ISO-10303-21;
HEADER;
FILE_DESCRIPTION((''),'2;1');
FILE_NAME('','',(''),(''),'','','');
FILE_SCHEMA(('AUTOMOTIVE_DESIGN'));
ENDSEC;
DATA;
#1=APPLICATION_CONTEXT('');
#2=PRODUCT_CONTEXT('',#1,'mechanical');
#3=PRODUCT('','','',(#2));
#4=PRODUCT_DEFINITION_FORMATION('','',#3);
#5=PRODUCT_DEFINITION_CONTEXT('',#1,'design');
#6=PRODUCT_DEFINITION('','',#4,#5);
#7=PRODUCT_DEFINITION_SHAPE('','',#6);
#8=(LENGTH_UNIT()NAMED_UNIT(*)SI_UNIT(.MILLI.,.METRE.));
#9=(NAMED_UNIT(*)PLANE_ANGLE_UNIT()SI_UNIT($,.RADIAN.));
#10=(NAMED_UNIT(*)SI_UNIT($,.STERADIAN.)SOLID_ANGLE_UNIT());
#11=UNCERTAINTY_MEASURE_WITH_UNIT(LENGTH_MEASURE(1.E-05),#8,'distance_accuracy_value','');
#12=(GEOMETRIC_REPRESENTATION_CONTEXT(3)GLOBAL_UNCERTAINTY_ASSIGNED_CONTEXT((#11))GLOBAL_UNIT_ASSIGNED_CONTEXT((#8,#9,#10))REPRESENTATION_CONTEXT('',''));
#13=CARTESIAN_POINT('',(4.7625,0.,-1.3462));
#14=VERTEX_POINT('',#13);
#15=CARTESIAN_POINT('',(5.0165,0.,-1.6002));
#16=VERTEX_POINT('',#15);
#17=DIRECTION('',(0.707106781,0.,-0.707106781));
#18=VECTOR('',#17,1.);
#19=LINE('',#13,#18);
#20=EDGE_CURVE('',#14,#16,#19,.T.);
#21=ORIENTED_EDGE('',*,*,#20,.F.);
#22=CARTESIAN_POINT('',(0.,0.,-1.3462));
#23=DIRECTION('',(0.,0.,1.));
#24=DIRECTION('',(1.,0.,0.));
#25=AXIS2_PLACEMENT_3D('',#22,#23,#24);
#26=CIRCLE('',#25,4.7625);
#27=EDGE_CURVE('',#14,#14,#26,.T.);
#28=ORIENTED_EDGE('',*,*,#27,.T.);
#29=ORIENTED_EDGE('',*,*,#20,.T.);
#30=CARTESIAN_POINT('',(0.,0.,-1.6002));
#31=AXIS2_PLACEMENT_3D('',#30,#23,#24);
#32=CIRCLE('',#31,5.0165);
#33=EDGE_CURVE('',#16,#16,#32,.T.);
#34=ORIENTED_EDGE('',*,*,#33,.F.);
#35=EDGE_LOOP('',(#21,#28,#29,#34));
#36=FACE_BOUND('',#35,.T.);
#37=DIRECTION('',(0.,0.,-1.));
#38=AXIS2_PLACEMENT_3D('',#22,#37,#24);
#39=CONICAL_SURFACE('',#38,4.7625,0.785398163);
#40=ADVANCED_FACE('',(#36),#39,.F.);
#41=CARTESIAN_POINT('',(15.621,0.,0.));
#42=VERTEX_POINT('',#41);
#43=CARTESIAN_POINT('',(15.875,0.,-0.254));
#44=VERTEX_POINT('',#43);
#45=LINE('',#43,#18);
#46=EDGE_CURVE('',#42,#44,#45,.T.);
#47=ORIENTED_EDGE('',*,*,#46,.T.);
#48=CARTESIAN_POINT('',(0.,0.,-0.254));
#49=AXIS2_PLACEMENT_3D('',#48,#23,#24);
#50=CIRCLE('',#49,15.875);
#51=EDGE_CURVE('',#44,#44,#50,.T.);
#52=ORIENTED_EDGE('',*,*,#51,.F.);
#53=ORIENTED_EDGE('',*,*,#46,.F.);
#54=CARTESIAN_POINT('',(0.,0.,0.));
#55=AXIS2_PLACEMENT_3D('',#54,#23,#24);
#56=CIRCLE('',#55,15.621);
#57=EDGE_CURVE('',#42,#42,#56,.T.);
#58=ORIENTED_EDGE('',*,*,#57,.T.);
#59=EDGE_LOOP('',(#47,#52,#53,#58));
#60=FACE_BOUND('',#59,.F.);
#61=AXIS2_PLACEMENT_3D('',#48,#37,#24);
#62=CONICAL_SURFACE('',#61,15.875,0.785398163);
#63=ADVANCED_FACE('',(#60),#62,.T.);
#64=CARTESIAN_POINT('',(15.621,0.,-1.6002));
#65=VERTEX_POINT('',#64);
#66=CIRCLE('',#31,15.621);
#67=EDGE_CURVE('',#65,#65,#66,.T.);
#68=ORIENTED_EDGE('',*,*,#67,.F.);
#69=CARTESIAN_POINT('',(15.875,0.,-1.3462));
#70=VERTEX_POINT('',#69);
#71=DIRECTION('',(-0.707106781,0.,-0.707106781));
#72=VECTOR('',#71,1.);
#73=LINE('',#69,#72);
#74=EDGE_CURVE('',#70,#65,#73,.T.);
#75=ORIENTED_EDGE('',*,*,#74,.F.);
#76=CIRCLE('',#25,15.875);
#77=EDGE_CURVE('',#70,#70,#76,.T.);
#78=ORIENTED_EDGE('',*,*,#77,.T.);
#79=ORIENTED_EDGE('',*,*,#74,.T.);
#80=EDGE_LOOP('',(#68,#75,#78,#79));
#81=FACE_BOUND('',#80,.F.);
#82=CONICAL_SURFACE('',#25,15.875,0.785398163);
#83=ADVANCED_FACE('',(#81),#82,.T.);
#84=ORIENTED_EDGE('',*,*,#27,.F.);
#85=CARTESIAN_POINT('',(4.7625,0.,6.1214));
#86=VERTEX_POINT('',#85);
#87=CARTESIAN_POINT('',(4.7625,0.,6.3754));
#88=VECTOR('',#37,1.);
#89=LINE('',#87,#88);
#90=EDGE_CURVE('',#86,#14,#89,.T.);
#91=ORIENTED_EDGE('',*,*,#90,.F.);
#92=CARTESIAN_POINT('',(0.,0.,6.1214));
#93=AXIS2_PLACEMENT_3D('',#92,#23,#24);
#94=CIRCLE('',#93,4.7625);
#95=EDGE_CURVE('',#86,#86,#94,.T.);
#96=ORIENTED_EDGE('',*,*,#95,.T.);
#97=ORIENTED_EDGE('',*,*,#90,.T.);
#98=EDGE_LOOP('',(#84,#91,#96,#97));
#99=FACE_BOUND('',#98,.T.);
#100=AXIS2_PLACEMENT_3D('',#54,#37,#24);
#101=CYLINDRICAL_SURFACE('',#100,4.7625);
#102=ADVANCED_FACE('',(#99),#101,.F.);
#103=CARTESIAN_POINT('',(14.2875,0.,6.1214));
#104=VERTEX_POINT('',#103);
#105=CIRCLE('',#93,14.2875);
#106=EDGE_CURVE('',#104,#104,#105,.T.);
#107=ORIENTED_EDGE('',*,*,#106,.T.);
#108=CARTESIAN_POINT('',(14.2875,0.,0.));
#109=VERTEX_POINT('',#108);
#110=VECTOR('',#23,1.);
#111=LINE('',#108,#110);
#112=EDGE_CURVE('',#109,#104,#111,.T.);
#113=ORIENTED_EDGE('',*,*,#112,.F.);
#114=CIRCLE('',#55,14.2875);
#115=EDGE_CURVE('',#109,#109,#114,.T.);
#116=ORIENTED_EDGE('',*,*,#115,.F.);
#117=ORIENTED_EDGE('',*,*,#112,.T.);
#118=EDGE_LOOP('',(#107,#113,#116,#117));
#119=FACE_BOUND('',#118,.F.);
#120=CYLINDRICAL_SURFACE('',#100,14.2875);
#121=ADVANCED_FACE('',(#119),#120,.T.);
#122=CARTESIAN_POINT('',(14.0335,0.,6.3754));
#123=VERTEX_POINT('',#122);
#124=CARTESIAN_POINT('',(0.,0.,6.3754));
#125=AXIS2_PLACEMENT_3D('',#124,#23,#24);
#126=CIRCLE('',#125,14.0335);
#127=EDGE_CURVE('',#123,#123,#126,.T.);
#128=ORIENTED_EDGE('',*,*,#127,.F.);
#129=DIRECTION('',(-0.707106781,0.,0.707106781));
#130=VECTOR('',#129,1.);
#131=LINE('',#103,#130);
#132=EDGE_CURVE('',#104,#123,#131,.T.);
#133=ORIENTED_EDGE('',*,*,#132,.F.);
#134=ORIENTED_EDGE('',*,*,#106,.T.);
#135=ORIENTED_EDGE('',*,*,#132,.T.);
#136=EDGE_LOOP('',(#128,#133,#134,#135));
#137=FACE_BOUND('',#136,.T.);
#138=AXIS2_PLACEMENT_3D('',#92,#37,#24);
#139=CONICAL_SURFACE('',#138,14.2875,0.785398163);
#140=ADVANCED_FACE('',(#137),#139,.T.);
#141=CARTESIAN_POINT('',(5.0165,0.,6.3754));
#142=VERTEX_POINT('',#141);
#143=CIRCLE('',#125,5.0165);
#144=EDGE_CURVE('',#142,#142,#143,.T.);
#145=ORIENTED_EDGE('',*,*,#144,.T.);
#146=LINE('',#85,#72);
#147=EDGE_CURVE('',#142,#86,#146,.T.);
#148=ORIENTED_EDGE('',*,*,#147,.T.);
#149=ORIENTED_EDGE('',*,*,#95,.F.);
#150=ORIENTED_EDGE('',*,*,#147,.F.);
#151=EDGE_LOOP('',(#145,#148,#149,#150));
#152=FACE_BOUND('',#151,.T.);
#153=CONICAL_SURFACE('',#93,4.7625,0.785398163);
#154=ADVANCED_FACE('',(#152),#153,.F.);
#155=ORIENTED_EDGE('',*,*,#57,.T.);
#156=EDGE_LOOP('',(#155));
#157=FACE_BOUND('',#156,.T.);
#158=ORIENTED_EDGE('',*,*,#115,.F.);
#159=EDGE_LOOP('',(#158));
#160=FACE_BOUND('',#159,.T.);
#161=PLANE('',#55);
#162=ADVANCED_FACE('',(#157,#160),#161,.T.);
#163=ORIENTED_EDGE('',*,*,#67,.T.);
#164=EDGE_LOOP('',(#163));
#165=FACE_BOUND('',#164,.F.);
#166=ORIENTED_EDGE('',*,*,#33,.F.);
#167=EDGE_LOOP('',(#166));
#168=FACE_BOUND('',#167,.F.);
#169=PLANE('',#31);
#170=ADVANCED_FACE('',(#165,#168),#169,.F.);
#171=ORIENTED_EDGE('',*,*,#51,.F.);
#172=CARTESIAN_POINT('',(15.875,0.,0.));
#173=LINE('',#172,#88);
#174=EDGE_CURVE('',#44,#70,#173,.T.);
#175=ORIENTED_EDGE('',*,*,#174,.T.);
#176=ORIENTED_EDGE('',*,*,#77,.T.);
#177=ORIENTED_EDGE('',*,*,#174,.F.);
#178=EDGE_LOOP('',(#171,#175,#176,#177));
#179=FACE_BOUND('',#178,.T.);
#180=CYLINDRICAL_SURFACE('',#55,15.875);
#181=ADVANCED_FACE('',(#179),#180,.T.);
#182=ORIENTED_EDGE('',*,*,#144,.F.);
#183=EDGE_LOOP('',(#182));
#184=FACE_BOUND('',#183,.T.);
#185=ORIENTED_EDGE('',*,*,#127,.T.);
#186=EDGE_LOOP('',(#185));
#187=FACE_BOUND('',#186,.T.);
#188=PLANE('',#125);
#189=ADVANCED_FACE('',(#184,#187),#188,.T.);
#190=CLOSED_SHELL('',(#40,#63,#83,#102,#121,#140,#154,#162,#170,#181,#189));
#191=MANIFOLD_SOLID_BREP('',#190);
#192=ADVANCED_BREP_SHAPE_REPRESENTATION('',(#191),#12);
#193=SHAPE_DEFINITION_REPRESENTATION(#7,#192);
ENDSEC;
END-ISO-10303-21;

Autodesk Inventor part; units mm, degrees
ref_plane "YZ Plane" through (0, 0, 0) normal (1, 0, 0) x (0, 1, 0)
ref_plane "XZ Plane" through (0, 0, 0) normal (0, 1, 0) x (-1, 0, 0)
ref_plane "XY Plane" through (0, 0, 0) normal (0, 0, 1) x (1, 0, 0)
sketch "Sketch1" plane through (0, 0, 0) normal (0, 0, 1) x (1, 0, 0)
  circle A0 centre (0, 0) radius 14.2875
  circle A1 centre (0, 0) radius 4.7625
  circle A2 centre (0, 0) radius 15.875
  dimension "d0" = 28.575
  dimension "d1" = 9.525
  dimension "d2" = 31.75
extrude "Extrusion1" add sketch "Sketch1" along normal blind 6.3754 contours A0
extrude "Extrusion2" add sketch "Sketch1" against normal blind 1.6002 contours A0 | A2
chamfer "Chamfer1" distance 0.254 angle 45 5 edges at (-14.2875, 0, 6.3754) (-15.875, 0, 0) (-15.875, 0, -1.6002) (-4.7625, 0, 6.3754) (-4.7625, 0, -1.6002)
properties part number "fr-6-zz (1.125 OD Version)" material "Steel"
